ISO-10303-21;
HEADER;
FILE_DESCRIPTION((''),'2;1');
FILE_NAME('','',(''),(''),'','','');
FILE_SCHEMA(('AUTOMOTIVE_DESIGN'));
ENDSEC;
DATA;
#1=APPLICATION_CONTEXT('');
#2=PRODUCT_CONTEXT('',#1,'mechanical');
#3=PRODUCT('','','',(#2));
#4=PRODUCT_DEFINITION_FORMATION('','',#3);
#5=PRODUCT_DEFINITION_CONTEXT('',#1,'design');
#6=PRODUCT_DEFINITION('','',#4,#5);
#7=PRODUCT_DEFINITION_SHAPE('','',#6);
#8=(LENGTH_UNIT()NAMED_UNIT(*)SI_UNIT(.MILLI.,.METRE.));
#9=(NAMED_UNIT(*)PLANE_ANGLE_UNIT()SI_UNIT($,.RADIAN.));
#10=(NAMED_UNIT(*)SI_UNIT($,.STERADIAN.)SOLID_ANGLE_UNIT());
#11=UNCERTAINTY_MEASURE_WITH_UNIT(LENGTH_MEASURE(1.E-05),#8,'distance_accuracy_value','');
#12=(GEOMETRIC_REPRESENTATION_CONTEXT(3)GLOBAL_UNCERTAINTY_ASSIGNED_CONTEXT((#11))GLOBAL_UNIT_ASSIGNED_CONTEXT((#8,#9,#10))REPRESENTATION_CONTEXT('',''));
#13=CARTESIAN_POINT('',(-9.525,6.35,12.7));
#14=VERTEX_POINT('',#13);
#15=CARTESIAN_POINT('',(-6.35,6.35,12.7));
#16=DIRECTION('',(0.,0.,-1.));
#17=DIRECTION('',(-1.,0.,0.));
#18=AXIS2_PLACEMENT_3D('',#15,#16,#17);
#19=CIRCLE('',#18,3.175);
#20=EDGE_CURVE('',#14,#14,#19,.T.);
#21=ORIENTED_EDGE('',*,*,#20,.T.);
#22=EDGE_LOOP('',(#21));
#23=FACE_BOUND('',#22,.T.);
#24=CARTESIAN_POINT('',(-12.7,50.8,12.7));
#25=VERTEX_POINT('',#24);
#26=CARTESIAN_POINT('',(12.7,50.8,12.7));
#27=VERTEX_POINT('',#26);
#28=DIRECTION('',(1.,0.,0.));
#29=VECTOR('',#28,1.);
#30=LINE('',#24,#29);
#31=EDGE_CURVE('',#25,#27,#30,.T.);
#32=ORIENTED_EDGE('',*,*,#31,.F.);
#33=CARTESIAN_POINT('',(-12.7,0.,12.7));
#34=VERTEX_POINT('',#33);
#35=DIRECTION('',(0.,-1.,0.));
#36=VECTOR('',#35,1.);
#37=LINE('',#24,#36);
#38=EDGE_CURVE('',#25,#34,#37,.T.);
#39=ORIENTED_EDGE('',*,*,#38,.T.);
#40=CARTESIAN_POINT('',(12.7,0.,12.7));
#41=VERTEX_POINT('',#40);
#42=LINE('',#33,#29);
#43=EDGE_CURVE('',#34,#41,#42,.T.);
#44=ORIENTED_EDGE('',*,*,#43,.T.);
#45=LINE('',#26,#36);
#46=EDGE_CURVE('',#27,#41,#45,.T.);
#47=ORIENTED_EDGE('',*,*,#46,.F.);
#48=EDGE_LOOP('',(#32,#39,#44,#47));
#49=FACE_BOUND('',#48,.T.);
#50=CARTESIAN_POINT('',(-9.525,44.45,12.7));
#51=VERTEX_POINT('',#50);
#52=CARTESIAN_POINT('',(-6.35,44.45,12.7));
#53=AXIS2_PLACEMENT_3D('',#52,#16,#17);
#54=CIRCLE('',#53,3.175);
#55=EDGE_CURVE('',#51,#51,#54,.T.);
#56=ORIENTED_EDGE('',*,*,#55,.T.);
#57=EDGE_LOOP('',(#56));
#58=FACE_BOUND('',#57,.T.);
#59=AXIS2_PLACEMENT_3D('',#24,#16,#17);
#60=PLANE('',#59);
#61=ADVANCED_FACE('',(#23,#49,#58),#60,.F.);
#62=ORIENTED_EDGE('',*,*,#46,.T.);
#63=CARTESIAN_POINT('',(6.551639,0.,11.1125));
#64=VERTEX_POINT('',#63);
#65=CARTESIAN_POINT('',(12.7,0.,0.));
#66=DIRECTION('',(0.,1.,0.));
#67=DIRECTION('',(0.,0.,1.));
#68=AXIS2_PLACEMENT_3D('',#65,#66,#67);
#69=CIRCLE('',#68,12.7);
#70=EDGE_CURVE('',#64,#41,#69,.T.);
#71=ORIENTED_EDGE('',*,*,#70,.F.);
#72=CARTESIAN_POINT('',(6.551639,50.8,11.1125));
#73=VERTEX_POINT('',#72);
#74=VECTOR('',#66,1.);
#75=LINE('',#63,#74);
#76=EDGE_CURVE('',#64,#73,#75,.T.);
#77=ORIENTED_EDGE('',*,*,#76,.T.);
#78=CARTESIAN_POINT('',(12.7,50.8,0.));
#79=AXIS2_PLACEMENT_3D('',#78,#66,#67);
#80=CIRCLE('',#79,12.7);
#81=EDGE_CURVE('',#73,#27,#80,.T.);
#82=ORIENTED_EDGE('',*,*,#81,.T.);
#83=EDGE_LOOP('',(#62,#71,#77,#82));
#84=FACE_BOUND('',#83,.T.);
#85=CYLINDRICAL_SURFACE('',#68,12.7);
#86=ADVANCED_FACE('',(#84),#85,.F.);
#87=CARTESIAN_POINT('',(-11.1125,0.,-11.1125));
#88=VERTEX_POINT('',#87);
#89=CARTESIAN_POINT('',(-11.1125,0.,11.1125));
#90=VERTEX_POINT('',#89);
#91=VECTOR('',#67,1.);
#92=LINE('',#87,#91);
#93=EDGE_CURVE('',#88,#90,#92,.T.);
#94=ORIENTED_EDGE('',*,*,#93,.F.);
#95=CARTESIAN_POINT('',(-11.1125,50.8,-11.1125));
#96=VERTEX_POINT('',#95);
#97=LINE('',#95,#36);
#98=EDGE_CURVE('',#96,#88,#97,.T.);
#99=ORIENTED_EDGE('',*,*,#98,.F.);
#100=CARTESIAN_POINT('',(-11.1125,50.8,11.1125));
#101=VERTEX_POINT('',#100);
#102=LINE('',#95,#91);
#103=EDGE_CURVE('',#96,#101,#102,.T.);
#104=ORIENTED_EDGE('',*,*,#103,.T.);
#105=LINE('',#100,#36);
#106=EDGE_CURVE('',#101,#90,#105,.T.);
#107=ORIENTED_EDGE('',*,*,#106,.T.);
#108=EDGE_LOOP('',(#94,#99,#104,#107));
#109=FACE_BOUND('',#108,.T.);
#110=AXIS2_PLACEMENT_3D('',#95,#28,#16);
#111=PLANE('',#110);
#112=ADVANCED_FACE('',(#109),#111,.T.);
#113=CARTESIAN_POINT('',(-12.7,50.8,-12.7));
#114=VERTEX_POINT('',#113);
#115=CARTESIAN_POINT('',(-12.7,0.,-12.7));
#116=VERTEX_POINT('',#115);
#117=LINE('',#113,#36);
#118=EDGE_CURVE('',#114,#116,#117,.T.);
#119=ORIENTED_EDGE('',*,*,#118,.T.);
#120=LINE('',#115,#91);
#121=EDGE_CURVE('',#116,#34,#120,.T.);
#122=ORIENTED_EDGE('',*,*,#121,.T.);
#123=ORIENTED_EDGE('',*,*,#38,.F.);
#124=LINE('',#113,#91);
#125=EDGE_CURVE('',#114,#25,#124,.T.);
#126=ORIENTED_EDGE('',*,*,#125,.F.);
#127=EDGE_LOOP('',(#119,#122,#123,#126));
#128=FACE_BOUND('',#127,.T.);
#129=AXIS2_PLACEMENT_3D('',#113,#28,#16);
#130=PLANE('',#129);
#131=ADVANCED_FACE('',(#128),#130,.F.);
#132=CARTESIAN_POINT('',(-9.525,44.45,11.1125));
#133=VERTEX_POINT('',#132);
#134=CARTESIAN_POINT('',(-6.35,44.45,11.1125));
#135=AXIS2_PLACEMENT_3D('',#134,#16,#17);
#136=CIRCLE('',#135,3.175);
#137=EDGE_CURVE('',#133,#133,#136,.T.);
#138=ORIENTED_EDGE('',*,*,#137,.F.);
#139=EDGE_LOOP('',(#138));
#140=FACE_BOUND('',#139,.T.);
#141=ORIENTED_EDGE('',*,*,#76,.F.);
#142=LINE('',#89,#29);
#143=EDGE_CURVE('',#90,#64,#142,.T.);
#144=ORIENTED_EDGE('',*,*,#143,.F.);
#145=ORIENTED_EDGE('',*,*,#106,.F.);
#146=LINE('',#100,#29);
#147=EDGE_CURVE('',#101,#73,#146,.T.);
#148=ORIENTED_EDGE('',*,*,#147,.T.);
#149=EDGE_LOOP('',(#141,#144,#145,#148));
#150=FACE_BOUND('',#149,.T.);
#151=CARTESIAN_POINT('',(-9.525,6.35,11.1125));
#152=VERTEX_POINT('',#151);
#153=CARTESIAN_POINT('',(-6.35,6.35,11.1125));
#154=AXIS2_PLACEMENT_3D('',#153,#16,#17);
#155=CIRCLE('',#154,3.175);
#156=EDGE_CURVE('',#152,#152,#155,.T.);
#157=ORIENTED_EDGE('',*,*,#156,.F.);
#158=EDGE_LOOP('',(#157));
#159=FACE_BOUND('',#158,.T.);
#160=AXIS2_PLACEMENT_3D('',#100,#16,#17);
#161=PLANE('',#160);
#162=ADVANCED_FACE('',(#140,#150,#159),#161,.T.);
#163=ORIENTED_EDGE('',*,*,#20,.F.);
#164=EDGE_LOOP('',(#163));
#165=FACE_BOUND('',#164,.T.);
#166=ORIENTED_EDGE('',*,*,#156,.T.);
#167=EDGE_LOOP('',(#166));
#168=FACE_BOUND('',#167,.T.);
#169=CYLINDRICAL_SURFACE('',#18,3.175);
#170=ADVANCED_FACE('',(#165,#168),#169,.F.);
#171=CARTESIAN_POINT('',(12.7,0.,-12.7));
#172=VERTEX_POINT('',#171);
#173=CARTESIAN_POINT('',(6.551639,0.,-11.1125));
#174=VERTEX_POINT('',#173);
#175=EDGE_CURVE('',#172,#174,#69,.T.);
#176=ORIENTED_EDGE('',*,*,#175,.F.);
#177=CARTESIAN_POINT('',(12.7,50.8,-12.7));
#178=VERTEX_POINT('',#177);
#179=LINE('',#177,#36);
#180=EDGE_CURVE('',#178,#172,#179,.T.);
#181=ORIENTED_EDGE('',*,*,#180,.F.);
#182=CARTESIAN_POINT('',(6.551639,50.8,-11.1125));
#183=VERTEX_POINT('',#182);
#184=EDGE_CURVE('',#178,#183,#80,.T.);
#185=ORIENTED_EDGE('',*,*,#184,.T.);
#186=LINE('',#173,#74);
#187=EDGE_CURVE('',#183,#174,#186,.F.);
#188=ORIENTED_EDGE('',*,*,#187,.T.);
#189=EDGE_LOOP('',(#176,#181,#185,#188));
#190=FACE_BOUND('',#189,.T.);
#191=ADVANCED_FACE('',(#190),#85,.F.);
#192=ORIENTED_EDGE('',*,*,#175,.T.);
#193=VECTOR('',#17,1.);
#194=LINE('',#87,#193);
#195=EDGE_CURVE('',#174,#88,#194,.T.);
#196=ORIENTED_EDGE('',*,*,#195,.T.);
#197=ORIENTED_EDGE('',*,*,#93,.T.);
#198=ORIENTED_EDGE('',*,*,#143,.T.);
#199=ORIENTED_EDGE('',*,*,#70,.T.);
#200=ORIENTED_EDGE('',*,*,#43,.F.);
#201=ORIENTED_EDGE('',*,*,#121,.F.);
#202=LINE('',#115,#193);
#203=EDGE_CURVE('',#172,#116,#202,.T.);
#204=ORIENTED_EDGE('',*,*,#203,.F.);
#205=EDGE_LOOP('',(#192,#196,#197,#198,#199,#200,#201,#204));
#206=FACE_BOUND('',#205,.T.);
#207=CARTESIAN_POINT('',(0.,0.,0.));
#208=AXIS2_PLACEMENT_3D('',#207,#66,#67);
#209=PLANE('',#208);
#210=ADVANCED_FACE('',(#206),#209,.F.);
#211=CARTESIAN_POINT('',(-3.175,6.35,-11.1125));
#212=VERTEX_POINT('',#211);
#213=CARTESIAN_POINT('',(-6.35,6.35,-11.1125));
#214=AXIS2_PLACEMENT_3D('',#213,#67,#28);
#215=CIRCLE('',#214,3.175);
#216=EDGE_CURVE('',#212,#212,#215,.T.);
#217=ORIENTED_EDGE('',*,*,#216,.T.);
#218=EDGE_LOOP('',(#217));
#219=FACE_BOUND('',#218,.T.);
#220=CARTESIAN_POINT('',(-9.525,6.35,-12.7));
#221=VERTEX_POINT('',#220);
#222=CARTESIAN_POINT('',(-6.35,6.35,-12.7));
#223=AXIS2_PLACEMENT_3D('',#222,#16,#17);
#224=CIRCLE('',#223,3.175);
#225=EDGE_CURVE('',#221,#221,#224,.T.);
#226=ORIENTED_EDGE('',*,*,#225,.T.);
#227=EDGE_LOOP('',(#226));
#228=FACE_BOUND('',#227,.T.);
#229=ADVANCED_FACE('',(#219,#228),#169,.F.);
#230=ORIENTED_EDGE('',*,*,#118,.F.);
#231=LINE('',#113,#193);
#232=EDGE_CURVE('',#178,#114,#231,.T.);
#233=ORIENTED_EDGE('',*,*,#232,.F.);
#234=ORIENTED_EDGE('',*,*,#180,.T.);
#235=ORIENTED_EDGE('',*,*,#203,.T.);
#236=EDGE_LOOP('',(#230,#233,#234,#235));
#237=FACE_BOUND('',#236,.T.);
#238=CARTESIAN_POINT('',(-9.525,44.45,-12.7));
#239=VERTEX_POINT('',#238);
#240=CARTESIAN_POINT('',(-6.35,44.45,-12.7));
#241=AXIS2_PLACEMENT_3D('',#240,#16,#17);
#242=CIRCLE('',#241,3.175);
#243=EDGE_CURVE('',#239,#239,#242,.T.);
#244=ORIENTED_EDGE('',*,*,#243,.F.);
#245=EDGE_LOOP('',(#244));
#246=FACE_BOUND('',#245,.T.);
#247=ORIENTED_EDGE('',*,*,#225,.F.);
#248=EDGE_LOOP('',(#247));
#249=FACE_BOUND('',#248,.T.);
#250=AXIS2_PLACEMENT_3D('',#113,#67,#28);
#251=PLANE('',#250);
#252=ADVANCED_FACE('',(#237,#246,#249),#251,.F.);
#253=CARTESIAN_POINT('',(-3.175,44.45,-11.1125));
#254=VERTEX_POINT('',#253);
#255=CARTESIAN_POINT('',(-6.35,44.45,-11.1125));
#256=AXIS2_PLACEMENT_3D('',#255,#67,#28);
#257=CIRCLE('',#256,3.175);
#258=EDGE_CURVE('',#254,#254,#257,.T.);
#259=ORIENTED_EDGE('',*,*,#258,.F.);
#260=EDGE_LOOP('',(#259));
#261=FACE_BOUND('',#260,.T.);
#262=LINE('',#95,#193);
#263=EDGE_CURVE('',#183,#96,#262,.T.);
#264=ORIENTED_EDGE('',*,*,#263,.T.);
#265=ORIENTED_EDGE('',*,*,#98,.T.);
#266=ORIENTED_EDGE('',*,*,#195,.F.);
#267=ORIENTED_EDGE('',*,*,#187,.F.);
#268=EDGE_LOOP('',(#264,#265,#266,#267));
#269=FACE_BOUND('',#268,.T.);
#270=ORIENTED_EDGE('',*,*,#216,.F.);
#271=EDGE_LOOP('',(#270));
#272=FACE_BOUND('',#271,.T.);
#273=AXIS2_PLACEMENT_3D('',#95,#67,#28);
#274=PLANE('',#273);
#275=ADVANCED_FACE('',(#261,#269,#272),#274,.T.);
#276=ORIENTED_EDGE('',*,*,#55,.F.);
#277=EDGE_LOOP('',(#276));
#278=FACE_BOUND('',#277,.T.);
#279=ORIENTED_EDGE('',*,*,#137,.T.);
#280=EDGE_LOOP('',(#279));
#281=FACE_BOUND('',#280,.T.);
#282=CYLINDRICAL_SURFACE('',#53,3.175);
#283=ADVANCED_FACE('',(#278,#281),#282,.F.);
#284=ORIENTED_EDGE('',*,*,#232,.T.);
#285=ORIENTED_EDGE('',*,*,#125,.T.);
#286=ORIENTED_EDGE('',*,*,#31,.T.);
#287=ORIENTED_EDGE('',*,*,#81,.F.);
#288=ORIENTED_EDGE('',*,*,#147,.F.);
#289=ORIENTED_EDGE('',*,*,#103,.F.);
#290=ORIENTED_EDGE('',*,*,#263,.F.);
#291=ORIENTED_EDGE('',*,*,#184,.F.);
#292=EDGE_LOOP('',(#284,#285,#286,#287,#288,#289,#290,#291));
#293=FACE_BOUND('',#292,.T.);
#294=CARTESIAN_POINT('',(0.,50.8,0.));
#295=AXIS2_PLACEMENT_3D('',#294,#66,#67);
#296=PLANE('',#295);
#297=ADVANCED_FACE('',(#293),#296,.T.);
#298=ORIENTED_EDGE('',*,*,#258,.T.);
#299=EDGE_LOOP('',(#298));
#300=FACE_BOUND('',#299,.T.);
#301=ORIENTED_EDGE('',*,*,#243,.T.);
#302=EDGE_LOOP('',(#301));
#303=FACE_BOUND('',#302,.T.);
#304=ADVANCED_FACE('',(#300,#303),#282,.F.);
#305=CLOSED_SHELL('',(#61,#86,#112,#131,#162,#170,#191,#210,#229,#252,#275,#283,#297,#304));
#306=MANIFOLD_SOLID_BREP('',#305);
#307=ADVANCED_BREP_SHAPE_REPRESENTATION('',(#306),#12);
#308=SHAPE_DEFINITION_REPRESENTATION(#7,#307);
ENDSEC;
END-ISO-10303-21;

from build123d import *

# Parameters (mm, degrees)
SKETCH1_W           = 25.4
SKETCH1_H           = 25.4
SKETCH1_W_2         = 22.225
SKETCH1_H_2         = 22.225
BOSS_EXTRUDE1_DEPTH = 50.8
SKETCH2_R           = 12.7
CUT_EXTRUDE1_DEPTH  = 54.881536726
SKETCH3_R           = 3.175
CUT_EXTRUDE2_DEPTH  = 59.198711326


with BuildPart() as part:
    # Sketch1 → Boss-Extrude1 (new body)
    with BuildSketch(Plane(origin=(0, 0, 0), x_dir=(1, 0, 0), z_dir=(0, 1, 0))):
        Rectangle(SKETCH1_W, SKETCH1_H)
        Rectangle(SKETCH1_W_2, SKETCH1_H_2, mode=Mode.SUBTRACT)
    extrude(amount=BOSS_EXTRUDE1_DEPTH)

    # Sketch2 → Cut-Extrude1 (cut, through all)
    with BuildSketch(Plane(origin=(0, 50.8, 0), x_dir=(1, 0, 0), z_dir=(0, 1, 0))):
        with Locations((12.7, 0)):
            Circle(SKETCH2_R)
    extrude(amount=-CUT_EXTRUDE1_DEPTH, mode=Mode.SUBTRACT)

    # Sketch3 → Cut-Extrude2 (cut, through all)
    with BuildSketch(Plane(origin=(0, 0, -12.7), x_dir=(-1, 0, 0), z_dir=(0, 0, -1))):
        with Locations((6.35, 44.45)):
            Circle(SKETCH3_R)
        with Locations((6.35, 6.35)):
            Circle(SKETCH3_R)
    extrude(amount=-CUT_EXTRUDE2_DEPTH, mode=Mode.SUBTRACT)


solid = part.part
